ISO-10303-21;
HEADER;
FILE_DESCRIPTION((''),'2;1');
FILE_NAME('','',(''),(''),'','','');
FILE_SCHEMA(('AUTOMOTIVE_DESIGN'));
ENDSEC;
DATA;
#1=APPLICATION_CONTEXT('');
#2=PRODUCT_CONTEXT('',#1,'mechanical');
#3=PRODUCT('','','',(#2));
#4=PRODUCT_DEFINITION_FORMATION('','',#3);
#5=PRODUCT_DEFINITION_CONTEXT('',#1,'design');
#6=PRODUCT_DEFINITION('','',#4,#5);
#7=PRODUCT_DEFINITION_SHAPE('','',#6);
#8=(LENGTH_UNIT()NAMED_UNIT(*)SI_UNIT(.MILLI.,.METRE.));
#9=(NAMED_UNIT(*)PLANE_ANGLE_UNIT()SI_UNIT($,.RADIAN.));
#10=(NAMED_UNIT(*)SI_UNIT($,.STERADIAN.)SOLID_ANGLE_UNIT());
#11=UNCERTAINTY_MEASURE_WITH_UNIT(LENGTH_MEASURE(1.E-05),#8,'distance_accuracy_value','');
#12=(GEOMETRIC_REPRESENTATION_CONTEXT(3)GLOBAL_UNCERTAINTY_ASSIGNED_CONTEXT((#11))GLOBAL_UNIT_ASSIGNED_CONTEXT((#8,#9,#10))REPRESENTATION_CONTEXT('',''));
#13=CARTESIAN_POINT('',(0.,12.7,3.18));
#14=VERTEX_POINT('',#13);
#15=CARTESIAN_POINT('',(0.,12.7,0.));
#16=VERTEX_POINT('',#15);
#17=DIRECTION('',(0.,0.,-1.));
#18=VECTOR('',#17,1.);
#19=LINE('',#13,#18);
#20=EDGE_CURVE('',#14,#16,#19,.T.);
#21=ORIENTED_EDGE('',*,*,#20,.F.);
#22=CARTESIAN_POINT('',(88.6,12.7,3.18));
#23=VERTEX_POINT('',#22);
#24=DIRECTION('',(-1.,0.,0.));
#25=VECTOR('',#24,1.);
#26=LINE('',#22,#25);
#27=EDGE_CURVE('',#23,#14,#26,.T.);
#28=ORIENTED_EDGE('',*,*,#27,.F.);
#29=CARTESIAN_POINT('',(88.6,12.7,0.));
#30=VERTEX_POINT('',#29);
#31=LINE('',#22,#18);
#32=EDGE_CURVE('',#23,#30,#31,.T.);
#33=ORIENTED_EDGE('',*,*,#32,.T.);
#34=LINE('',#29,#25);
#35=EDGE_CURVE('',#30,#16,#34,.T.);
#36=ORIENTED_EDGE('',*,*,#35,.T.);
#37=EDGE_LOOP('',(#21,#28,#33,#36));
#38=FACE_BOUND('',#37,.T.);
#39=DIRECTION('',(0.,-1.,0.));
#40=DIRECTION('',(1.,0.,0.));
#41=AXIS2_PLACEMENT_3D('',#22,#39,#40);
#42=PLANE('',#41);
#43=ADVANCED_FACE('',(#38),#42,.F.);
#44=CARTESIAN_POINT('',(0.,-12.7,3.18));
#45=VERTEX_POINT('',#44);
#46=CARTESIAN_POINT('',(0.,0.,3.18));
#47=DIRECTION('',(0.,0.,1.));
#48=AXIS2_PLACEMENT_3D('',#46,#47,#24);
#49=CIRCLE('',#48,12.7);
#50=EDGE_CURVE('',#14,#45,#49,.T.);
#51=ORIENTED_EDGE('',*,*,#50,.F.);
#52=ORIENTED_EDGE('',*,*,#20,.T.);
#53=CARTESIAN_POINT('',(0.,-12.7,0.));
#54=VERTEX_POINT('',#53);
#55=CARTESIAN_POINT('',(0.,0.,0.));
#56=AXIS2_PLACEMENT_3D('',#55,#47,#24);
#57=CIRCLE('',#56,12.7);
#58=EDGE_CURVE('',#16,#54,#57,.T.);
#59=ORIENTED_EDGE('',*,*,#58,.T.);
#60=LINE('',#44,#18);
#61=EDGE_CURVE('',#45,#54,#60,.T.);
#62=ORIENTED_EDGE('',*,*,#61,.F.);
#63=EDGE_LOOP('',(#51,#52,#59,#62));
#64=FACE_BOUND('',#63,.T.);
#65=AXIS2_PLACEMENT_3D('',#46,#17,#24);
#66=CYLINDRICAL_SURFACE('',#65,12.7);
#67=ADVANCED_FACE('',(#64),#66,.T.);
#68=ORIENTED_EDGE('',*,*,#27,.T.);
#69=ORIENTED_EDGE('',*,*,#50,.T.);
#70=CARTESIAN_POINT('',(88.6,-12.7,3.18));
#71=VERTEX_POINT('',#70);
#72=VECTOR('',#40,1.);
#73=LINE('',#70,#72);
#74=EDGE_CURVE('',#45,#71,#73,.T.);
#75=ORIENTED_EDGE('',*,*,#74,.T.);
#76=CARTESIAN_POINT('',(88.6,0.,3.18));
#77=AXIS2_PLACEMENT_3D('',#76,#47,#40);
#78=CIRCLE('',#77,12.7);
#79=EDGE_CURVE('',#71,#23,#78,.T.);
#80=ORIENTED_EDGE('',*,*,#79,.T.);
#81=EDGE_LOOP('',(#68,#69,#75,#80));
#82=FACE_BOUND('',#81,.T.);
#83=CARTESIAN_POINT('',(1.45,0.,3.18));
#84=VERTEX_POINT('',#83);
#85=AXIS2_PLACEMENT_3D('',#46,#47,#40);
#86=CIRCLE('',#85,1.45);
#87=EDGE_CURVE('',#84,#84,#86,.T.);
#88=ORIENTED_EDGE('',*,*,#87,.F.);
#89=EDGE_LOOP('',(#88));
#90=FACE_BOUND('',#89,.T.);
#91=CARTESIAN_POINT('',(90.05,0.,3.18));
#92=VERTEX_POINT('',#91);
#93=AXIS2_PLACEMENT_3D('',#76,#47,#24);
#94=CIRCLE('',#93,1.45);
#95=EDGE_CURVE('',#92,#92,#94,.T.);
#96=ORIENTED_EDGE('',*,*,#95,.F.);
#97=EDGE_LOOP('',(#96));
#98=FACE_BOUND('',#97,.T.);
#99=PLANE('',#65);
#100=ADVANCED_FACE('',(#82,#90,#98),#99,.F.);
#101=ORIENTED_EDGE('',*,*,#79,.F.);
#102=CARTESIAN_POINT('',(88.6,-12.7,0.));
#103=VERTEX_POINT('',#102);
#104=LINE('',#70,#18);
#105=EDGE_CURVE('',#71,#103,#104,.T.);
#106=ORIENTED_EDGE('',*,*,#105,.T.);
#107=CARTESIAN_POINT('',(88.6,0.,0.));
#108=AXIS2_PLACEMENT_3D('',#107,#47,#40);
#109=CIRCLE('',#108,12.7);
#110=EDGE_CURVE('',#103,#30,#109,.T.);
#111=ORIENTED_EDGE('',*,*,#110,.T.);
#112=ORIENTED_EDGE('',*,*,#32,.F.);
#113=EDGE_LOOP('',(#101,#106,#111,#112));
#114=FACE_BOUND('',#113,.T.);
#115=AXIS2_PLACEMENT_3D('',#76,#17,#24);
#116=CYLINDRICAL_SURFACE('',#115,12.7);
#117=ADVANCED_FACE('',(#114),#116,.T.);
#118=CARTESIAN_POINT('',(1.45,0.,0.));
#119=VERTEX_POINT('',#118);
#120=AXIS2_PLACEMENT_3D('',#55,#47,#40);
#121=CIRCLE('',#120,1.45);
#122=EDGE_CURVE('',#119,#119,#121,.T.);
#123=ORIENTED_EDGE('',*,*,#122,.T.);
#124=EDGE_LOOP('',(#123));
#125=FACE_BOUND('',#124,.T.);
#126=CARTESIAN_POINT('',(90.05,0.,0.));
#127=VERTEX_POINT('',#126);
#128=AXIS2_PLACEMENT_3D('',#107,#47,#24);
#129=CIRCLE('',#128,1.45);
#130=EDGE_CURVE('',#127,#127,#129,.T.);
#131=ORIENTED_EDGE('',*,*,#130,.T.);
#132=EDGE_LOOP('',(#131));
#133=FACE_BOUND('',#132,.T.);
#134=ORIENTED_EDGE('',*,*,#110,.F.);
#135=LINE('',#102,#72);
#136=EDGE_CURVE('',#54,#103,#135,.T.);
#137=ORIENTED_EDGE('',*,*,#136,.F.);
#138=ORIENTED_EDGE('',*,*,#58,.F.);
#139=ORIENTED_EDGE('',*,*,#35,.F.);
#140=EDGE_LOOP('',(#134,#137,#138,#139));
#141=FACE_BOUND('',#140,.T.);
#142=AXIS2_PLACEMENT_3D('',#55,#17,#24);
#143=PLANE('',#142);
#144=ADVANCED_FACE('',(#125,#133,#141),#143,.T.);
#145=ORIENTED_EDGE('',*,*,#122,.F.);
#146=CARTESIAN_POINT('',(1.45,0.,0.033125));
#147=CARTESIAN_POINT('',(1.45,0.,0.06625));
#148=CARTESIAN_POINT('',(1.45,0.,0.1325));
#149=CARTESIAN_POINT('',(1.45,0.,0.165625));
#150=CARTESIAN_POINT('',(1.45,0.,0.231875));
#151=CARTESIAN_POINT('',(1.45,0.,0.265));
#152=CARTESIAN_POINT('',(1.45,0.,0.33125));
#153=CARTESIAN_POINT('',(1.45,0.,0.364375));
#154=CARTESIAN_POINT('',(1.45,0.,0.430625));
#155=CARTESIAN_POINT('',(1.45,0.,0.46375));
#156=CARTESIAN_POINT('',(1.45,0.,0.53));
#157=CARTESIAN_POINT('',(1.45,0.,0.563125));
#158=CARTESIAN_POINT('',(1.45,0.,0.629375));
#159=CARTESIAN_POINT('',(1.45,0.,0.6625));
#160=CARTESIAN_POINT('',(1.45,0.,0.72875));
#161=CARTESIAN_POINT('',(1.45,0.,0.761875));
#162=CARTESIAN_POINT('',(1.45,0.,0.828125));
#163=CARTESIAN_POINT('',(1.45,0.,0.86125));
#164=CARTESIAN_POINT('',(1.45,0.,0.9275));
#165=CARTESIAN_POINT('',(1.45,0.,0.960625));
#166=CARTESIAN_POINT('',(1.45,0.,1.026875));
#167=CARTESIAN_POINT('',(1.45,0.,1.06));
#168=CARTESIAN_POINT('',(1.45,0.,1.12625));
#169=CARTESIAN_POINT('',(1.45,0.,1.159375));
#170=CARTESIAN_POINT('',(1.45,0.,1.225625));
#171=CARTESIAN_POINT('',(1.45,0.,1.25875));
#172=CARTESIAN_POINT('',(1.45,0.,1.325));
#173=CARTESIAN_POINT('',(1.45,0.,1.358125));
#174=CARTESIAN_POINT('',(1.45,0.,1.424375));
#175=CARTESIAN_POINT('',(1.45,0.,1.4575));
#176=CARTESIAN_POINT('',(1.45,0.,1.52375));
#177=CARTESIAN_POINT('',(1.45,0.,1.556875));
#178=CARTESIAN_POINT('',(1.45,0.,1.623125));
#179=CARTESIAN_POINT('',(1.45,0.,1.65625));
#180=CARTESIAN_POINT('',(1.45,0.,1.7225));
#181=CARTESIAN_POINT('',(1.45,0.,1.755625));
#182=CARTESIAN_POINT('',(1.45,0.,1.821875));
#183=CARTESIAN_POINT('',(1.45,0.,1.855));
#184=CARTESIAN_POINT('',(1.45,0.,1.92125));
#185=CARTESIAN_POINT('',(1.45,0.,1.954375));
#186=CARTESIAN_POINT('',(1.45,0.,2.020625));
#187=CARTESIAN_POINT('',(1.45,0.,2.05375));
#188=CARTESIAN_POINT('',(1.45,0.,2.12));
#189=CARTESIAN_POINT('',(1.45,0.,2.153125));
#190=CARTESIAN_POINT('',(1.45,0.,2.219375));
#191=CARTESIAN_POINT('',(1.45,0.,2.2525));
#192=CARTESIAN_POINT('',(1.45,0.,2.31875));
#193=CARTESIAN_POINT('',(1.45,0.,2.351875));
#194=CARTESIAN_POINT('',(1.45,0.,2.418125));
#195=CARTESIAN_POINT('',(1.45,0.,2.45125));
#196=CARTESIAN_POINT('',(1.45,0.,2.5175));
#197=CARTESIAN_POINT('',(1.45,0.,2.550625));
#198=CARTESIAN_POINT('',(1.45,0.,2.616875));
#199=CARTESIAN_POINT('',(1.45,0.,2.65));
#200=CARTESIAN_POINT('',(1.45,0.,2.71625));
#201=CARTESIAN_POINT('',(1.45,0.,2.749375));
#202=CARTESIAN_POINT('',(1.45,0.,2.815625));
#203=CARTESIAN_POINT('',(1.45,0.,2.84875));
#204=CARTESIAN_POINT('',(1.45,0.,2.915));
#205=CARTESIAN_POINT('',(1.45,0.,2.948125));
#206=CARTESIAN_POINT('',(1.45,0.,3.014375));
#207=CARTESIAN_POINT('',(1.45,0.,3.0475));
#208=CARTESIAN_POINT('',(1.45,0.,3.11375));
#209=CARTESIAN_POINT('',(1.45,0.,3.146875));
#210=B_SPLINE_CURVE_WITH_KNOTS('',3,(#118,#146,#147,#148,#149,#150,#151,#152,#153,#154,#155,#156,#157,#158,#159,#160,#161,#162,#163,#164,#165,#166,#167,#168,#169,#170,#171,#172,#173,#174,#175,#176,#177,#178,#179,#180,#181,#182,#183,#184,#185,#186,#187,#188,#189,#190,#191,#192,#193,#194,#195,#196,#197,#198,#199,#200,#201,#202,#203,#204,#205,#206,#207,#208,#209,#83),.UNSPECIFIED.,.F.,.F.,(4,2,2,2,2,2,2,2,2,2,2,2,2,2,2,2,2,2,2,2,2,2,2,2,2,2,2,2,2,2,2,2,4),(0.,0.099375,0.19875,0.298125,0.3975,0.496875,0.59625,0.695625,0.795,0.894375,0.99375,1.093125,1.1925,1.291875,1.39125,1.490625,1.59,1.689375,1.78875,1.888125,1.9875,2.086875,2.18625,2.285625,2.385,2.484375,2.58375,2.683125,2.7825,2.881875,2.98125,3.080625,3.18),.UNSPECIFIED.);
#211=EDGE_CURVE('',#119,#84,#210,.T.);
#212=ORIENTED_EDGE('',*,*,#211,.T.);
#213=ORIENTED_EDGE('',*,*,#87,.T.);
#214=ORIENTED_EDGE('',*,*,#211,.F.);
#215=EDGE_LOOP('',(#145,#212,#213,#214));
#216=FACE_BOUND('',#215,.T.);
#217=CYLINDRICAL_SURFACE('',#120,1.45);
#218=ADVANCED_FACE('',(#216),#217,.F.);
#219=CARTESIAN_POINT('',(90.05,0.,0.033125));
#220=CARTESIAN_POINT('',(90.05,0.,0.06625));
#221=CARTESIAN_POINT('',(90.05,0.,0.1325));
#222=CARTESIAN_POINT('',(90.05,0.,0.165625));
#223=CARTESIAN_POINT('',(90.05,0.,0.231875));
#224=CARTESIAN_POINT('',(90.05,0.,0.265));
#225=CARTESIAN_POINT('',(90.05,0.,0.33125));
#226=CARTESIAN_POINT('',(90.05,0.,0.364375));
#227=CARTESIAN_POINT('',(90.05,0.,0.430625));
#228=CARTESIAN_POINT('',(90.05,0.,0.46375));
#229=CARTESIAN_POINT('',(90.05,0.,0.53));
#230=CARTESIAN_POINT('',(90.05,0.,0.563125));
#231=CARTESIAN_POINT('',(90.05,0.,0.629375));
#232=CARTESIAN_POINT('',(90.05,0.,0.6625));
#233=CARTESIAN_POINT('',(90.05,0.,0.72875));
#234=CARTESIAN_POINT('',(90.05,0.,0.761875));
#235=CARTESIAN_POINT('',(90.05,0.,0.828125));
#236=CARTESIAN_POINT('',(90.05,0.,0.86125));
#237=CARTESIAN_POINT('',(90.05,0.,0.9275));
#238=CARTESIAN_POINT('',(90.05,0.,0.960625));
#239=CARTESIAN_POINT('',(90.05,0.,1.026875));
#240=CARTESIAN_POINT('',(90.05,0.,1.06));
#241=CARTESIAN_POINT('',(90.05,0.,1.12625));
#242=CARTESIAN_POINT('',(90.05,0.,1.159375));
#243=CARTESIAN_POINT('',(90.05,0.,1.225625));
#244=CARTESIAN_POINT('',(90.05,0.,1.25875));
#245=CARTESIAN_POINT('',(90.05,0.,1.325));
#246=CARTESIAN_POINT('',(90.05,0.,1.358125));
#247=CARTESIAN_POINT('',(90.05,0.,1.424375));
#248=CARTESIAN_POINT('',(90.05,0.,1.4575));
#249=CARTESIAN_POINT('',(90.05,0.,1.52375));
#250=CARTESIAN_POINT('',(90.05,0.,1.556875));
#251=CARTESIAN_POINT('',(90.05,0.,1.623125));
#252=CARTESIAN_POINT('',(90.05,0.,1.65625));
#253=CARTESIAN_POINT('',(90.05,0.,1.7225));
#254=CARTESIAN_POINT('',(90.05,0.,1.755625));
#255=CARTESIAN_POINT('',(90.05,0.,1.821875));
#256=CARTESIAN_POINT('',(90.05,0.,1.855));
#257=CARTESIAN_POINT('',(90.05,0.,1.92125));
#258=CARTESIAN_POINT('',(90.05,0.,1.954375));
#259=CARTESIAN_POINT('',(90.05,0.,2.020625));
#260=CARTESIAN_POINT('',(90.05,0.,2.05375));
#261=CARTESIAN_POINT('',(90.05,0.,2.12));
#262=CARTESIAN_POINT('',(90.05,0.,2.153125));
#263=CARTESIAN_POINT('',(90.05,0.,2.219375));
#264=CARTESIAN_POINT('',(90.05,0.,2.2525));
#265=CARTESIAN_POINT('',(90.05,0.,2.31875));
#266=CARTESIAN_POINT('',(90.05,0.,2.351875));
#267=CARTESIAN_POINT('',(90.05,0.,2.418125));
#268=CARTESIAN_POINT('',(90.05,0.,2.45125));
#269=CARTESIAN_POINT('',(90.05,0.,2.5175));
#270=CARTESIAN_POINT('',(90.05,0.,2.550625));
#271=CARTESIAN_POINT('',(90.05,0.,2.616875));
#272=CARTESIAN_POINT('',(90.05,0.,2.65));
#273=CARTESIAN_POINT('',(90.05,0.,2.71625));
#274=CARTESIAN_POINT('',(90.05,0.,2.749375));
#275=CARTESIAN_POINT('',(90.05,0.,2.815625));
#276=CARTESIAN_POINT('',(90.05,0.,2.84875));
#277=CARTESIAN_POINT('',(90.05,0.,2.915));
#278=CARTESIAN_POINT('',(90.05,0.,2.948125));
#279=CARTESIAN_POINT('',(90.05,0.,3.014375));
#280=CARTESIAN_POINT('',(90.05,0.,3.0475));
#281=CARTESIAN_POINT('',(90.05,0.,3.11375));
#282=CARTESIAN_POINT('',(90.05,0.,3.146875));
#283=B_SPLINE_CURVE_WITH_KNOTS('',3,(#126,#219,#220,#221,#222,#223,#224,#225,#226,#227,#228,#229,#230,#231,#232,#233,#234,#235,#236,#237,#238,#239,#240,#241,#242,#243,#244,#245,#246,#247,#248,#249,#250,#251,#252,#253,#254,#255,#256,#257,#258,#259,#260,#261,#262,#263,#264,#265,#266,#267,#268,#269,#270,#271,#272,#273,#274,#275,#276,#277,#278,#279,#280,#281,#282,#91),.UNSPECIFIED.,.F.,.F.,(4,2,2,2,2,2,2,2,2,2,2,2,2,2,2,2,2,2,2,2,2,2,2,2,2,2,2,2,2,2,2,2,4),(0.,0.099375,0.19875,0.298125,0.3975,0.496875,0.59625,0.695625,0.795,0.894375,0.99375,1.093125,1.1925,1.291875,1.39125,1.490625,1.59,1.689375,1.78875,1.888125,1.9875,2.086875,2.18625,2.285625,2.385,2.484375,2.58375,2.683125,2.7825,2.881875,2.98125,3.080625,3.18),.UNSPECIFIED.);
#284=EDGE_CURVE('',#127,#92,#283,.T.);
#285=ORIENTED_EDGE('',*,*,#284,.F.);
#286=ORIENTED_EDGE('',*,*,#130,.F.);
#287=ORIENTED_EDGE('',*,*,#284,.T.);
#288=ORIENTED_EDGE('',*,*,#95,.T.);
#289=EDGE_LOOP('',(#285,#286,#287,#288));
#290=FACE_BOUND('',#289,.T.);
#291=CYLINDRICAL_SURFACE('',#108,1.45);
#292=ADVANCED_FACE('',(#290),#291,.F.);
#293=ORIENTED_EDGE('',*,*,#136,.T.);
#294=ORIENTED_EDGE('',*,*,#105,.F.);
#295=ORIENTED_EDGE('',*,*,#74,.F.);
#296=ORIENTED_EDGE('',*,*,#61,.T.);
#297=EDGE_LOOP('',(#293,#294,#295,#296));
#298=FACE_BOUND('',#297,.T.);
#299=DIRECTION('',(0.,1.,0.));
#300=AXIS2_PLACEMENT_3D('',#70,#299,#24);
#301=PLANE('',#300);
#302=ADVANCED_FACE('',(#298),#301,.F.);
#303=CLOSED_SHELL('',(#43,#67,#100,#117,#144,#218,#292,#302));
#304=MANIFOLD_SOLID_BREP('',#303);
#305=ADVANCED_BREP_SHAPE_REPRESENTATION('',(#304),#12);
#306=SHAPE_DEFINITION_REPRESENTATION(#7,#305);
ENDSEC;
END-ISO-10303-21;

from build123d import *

# Parameters (mm, degrees)
BOSS_EXTRUDE1_DEPTH = 3.18
SKETCH3_R           = 1.45
CUT_EXTRUDE1_DEPTH  = 103.142510249


with BuildPart() as part:
    # Sketch1 → Boss-Extrude1 (new body)
    with BuildSketch(Plane.XY):
        with BuildLine():
            Line((88.6, -12.7), (0, -12.7))
            ThreePointArc((0, -12.7), (-12.7, 0), (0, 12.7))
            Line((0, 12.7), (88.6, 12.7))
            ThreePointArc((88.6, 12.7), (101.3, 0), (88.6, -12.7))
        make_face()
    extrude(amount=BOSS_EXTRUDE1_DEPTH)

    # Sketch3 → Cut-Extrude1 (cut, through all)
    with BuildSketch(Plane.XY.offset(3.18)):
        Circle(SKETCH3_R)
        with Locations((88.6, 0)):
            Circle(SKETCH3_R)
    extrude(amount=-CUT_EXTRUDE1_DEPTH, mode=Mode.SUBTRACT)


solid = part.part
